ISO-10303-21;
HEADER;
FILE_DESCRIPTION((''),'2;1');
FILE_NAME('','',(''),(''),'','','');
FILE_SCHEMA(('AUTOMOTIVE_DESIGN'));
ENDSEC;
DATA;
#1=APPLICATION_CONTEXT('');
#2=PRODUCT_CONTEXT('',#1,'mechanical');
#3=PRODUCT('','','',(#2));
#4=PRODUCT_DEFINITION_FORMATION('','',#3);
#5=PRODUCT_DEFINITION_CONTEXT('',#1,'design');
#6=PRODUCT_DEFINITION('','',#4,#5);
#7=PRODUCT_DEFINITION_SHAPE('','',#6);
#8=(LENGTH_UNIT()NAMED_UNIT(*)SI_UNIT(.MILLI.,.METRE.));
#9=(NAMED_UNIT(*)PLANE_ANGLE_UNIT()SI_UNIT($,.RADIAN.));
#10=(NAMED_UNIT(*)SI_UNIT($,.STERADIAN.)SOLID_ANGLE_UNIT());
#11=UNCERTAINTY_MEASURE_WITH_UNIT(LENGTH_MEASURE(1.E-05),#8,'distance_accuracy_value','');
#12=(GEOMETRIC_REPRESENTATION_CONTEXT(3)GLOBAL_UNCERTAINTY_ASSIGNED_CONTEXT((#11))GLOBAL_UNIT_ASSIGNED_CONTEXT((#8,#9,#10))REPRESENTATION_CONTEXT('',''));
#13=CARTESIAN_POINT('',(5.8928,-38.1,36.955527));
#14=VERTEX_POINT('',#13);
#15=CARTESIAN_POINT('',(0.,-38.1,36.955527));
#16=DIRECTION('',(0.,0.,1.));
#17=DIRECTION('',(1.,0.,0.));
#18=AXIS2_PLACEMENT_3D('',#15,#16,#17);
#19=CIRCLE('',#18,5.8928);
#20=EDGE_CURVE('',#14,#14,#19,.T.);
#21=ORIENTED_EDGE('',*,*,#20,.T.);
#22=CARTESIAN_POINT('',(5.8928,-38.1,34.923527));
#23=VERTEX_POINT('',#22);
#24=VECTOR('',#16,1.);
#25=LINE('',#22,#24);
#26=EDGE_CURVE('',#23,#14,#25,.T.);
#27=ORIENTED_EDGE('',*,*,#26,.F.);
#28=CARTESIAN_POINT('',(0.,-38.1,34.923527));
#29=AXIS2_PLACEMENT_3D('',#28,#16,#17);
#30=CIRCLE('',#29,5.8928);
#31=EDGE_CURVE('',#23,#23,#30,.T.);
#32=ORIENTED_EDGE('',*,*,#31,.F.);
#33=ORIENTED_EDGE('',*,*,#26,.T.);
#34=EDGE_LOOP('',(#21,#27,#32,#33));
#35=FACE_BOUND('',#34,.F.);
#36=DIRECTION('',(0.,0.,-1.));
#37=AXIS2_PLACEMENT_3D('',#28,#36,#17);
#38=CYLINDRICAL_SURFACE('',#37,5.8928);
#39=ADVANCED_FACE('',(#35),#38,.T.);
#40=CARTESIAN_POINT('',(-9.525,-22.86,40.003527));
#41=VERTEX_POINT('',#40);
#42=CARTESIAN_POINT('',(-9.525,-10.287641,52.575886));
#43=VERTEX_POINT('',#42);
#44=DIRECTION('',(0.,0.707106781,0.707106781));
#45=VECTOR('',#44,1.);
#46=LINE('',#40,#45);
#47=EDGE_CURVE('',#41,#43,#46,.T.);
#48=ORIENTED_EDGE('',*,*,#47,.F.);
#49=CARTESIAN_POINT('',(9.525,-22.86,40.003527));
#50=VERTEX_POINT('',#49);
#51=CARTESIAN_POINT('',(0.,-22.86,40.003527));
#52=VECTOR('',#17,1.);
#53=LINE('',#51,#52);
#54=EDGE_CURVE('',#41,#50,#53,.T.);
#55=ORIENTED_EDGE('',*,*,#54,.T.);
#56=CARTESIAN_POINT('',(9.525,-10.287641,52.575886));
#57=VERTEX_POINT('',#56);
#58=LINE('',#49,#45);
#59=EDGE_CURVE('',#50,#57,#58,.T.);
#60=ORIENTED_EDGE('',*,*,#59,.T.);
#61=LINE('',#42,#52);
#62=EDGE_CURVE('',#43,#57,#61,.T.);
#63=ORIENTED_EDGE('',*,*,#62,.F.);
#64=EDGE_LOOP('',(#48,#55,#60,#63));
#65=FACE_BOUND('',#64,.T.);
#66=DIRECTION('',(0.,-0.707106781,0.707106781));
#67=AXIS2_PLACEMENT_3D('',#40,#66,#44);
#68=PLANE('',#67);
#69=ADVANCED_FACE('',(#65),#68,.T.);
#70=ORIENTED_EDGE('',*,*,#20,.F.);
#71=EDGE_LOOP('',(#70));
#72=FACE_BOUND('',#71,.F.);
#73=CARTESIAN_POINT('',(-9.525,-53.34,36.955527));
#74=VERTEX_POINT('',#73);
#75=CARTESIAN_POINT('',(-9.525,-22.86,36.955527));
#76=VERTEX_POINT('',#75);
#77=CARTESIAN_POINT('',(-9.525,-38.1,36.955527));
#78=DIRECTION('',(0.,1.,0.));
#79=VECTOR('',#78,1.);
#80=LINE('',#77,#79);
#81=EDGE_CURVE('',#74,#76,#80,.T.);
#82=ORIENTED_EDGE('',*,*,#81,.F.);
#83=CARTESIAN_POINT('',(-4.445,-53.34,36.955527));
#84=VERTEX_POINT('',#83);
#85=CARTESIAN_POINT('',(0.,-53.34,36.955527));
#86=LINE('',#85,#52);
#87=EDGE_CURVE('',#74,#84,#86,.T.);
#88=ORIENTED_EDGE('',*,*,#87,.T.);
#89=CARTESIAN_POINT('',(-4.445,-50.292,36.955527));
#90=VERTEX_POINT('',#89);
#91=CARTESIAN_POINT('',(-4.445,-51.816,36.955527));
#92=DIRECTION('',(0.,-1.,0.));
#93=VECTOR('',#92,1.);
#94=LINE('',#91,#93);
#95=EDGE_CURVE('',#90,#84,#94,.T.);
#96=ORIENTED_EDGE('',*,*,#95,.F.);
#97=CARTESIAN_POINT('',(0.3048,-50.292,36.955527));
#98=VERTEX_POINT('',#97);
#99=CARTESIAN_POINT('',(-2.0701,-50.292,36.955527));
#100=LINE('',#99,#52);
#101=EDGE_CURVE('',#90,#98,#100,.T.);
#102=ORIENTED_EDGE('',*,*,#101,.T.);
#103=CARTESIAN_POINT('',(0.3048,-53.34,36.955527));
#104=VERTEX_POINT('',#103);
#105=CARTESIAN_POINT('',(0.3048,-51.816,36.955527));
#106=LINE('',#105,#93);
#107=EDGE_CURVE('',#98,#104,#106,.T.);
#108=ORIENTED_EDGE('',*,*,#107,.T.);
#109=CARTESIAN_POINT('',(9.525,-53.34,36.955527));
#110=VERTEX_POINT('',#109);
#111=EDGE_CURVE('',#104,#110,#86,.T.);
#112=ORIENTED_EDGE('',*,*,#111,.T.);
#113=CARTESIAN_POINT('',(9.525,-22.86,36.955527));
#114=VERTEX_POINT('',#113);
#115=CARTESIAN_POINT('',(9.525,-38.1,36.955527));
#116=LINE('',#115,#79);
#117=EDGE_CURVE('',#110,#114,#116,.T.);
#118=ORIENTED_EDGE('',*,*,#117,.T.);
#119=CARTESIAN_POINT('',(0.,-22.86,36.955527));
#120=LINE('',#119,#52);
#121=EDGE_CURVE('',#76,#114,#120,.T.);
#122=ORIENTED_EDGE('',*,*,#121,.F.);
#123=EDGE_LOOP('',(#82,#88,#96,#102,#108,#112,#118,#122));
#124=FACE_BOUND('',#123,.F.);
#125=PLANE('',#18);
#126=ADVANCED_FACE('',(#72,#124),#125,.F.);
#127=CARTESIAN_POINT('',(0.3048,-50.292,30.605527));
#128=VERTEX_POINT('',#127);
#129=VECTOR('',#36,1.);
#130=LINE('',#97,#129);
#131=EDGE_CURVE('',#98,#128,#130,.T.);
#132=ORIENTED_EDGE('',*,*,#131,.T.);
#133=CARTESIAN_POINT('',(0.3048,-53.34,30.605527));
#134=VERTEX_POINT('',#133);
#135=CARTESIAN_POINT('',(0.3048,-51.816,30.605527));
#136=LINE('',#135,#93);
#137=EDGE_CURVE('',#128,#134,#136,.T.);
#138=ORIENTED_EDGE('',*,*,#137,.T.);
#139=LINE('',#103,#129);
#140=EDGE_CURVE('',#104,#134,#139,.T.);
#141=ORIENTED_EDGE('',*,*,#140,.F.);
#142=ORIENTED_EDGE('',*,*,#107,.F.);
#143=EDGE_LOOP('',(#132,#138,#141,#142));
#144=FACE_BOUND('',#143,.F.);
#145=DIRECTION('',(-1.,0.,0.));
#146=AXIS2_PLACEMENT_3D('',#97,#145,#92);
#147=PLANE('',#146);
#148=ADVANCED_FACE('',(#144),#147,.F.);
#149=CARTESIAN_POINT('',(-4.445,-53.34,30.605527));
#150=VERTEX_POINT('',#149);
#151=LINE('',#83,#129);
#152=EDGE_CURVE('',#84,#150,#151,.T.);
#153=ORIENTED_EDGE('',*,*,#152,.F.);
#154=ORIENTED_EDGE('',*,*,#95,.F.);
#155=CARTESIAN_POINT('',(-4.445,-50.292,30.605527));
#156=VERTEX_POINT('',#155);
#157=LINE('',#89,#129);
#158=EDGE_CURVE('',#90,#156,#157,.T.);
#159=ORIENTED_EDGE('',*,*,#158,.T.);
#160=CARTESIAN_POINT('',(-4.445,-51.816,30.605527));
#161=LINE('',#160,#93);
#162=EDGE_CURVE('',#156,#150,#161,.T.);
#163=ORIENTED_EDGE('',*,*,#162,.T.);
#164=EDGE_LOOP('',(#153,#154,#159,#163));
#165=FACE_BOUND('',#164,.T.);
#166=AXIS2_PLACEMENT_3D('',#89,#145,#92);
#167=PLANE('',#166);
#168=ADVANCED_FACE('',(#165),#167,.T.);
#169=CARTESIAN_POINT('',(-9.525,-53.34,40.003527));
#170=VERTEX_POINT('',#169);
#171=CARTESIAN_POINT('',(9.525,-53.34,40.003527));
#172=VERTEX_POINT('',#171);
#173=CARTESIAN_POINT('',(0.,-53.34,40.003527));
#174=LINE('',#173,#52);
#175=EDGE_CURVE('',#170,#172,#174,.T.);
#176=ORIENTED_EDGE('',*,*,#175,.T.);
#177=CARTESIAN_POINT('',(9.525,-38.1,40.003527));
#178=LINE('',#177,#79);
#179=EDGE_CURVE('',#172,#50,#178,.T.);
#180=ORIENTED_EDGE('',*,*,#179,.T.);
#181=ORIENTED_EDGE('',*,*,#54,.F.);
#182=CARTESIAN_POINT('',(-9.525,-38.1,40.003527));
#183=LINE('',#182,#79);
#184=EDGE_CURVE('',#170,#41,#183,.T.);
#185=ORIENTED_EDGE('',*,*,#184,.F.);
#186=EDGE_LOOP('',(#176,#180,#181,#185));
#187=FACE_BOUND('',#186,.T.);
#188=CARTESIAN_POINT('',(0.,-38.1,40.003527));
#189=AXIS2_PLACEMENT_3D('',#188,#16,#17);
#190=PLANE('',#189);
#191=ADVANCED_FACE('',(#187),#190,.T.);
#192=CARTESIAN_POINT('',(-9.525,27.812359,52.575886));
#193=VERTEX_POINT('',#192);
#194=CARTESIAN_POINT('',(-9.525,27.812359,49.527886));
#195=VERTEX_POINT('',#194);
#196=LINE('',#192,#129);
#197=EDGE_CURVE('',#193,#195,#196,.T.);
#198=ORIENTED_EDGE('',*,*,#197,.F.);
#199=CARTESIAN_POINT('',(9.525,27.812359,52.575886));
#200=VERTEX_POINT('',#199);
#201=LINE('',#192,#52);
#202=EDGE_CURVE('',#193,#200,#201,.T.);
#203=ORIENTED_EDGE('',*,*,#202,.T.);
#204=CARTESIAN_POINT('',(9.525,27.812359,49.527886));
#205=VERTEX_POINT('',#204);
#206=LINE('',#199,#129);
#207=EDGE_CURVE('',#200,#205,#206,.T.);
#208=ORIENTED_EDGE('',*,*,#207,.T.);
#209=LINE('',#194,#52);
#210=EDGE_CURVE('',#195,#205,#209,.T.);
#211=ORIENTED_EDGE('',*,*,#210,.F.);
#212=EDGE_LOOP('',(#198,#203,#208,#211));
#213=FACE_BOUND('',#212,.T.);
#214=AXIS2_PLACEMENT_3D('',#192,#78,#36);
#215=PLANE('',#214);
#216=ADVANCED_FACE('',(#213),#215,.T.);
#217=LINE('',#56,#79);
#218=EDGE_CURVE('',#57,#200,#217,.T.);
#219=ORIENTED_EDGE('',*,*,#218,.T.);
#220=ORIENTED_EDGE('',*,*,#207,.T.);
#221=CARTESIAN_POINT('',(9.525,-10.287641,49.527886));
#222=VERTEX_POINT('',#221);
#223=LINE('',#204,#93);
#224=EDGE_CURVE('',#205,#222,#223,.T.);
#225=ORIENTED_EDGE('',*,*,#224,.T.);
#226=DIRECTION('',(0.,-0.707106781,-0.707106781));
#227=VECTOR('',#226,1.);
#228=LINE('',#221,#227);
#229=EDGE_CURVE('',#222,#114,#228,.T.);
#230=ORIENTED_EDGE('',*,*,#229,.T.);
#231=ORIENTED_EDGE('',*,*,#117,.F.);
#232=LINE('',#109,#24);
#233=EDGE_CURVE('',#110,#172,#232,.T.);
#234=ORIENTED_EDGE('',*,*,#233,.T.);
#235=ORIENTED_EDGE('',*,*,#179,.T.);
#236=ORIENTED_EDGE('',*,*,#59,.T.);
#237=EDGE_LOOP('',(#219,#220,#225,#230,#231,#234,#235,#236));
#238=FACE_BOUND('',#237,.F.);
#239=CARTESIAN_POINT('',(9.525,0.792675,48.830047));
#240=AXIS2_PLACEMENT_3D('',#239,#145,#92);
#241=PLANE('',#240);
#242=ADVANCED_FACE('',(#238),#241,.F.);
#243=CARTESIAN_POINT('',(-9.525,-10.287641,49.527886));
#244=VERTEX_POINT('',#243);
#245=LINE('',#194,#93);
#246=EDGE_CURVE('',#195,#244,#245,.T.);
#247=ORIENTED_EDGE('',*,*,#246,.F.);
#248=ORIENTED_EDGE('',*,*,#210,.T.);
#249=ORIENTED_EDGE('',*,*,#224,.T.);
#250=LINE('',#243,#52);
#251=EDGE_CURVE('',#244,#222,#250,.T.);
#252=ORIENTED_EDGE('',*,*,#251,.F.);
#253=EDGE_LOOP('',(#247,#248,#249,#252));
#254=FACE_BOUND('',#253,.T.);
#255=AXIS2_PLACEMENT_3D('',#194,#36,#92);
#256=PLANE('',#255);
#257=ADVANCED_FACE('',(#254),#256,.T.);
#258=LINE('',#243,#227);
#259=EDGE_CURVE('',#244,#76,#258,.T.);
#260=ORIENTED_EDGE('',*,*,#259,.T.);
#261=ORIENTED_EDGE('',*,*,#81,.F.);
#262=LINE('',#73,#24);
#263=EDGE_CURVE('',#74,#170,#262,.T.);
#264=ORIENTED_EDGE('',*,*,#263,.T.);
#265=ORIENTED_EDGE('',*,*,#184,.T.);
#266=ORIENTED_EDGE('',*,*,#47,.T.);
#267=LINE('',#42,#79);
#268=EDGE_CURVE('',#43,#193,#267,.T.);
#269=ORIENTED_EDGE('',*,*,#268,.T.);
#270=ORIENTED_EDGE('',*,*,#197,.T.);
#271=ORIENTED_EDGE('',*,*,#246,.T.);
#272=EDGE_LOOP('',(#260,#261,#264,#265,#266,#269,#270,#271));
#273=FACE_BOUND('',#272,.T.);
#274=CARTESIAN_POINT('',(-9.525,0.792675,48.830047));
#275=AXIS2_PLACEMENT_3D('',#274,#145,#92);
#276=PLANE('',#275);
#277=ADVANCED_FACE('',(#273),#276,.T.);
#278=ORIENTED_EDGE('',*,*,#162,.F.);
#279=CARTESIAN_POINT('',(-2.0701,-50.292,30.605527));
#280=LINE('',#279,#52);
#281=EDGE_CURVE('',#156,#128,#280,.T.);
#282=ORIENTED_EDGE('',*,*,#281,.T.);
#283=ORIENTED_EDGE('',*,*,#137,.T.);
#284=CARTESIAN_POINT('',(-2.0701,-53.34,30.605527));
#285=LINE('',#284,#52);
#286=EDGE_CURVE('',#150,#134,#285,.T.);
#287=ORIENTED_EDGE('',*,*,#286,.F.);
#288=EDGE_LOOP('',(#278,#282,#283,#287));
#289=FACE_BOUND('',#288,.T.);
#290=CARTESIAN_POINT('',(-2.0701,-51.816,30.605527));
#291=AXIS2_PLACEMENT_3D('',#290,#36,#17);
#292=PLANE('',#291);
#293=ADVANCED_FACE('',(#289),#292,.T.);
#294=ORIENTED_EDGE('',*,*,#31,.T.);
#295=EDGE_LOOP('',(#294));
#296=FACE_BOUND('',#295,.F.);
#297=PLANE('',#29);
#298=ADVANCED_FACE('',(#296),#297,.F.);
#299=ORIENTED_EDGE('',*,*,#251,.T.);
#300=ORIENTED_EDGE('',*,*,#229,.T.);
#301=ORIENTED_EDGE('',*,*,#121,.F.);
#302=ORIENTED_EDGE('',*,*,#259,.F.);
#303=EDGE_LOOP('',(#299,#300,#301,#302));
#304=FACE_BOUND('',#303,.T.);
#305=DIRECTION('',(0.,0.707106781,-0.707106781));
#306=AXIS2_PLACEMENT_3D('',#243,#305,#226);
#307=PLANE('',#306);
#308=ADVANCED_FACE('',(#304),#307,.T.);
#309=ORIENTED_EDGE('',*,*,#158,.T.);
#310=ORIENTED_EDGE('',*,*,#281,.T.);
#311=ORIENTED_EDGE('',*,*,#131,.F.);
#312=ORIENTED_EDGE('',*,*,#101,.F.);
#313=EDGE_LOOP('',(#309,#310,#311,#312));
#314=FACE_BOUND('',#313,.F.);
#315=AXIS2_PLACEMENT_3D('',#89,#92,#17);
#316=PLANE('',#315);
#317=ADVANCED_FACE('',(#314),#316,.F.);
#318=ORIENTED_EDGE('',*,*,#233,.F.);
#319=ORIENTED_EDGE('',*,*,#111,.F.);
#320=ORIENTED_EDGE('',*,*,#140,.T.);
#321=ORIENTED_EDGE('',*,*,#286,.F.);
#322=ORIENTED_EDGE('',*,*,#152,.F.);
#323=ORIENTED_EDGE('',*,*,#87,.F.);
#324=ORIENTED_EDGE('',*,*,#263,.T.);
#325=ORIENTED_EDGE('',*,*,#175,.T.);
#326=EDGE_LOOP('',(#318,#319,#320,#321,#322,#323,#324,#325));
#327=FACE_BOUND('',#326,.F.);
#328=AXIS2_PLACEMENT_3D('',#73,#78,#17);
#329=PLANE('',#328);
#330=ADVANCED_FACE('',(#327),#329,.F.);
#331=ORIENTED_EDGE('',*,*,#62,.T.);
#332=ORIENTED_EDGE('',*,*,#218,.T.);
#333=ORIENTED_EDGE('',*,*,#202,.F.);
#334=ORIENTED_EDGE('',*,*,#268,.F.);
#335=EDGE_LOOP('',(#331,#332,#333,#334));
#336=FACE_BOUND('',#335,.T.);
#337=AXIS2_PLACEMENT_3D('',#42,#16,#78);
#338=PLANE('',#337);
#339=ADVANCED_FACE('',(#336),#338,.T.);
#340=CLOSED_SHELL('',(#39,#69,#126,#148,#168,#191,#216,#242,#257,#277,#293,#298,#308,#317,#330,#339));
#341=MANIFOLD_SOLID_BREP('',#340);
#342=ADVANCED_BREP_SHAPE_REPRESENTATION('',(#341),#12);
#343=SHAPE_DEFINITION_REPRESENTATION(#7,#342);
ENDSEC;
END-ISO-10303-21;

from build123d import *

# Parameters (mm, degrees)
CYLINDER003_R     = 5.8928
CYLINDER003_DEPTH = 2.032
SKETCH003_W       = 19.05
SKETCH003_H       = 30.48
PAD_DEPTH         = 3.048
PAD001_DEPTH      = 19.05
SKETCH005_W       = 4.7498
SKETCH005_H       = 3.048
PAD002_DEPTH      = 6.35


with BuildPart() as part:
    # Cylinder003 → Cylinder003 (new body)
    with BuildSketch(Plane(origin=(0, -38.1, 34.923527), x_dir=(1, 0, 0), z_dir=(0, 0, 1))):
        Circle(CYLINDER003_R)
    extrude(amount=CYLINDER003_DEPTH)

    # Sketch003 → Pad (new body)
    with BuildSketch(Plane(origin=(0, -38.1, 36.955527), x_dir=(1, 0, 0), z_dir=(0, 0, 1))):
        Rectangle(SKETCH003_W, SKETCH003_H)
    extrude(amount=PAD_DEPTH)

    # Sketch004 → Pad001 (new body)
    with BuildSketch(Plane(origin=(-9.525, -38.1, 34.923527), x_dir=(0, -1, 0), z_dir=(-1, 0, 0))):
        Polygon((-15.24, 5.08), (-27.812359, 17.652359), (-65.912359, 17.652359), (-65.912359, 14.604359), (-27.812359, 14.604359), (-15.24, 2.032), align=None)
    extrude(amount=-PAD001_DEPTH)

    # Sketch005 → Pad002 (new body)
    with BuildSketch(Plane(origin=(0, -38.1, 36.955527), x_dir=(1, 0, 0), z_dir=(0, 0, -1))):
        with Locations((-2.0701, 13.716)):
            Rectangle(SKETCH005_W, SKETCH005_H)
    extrude(amount=PAD002_DEPTH)


solid = part.part
